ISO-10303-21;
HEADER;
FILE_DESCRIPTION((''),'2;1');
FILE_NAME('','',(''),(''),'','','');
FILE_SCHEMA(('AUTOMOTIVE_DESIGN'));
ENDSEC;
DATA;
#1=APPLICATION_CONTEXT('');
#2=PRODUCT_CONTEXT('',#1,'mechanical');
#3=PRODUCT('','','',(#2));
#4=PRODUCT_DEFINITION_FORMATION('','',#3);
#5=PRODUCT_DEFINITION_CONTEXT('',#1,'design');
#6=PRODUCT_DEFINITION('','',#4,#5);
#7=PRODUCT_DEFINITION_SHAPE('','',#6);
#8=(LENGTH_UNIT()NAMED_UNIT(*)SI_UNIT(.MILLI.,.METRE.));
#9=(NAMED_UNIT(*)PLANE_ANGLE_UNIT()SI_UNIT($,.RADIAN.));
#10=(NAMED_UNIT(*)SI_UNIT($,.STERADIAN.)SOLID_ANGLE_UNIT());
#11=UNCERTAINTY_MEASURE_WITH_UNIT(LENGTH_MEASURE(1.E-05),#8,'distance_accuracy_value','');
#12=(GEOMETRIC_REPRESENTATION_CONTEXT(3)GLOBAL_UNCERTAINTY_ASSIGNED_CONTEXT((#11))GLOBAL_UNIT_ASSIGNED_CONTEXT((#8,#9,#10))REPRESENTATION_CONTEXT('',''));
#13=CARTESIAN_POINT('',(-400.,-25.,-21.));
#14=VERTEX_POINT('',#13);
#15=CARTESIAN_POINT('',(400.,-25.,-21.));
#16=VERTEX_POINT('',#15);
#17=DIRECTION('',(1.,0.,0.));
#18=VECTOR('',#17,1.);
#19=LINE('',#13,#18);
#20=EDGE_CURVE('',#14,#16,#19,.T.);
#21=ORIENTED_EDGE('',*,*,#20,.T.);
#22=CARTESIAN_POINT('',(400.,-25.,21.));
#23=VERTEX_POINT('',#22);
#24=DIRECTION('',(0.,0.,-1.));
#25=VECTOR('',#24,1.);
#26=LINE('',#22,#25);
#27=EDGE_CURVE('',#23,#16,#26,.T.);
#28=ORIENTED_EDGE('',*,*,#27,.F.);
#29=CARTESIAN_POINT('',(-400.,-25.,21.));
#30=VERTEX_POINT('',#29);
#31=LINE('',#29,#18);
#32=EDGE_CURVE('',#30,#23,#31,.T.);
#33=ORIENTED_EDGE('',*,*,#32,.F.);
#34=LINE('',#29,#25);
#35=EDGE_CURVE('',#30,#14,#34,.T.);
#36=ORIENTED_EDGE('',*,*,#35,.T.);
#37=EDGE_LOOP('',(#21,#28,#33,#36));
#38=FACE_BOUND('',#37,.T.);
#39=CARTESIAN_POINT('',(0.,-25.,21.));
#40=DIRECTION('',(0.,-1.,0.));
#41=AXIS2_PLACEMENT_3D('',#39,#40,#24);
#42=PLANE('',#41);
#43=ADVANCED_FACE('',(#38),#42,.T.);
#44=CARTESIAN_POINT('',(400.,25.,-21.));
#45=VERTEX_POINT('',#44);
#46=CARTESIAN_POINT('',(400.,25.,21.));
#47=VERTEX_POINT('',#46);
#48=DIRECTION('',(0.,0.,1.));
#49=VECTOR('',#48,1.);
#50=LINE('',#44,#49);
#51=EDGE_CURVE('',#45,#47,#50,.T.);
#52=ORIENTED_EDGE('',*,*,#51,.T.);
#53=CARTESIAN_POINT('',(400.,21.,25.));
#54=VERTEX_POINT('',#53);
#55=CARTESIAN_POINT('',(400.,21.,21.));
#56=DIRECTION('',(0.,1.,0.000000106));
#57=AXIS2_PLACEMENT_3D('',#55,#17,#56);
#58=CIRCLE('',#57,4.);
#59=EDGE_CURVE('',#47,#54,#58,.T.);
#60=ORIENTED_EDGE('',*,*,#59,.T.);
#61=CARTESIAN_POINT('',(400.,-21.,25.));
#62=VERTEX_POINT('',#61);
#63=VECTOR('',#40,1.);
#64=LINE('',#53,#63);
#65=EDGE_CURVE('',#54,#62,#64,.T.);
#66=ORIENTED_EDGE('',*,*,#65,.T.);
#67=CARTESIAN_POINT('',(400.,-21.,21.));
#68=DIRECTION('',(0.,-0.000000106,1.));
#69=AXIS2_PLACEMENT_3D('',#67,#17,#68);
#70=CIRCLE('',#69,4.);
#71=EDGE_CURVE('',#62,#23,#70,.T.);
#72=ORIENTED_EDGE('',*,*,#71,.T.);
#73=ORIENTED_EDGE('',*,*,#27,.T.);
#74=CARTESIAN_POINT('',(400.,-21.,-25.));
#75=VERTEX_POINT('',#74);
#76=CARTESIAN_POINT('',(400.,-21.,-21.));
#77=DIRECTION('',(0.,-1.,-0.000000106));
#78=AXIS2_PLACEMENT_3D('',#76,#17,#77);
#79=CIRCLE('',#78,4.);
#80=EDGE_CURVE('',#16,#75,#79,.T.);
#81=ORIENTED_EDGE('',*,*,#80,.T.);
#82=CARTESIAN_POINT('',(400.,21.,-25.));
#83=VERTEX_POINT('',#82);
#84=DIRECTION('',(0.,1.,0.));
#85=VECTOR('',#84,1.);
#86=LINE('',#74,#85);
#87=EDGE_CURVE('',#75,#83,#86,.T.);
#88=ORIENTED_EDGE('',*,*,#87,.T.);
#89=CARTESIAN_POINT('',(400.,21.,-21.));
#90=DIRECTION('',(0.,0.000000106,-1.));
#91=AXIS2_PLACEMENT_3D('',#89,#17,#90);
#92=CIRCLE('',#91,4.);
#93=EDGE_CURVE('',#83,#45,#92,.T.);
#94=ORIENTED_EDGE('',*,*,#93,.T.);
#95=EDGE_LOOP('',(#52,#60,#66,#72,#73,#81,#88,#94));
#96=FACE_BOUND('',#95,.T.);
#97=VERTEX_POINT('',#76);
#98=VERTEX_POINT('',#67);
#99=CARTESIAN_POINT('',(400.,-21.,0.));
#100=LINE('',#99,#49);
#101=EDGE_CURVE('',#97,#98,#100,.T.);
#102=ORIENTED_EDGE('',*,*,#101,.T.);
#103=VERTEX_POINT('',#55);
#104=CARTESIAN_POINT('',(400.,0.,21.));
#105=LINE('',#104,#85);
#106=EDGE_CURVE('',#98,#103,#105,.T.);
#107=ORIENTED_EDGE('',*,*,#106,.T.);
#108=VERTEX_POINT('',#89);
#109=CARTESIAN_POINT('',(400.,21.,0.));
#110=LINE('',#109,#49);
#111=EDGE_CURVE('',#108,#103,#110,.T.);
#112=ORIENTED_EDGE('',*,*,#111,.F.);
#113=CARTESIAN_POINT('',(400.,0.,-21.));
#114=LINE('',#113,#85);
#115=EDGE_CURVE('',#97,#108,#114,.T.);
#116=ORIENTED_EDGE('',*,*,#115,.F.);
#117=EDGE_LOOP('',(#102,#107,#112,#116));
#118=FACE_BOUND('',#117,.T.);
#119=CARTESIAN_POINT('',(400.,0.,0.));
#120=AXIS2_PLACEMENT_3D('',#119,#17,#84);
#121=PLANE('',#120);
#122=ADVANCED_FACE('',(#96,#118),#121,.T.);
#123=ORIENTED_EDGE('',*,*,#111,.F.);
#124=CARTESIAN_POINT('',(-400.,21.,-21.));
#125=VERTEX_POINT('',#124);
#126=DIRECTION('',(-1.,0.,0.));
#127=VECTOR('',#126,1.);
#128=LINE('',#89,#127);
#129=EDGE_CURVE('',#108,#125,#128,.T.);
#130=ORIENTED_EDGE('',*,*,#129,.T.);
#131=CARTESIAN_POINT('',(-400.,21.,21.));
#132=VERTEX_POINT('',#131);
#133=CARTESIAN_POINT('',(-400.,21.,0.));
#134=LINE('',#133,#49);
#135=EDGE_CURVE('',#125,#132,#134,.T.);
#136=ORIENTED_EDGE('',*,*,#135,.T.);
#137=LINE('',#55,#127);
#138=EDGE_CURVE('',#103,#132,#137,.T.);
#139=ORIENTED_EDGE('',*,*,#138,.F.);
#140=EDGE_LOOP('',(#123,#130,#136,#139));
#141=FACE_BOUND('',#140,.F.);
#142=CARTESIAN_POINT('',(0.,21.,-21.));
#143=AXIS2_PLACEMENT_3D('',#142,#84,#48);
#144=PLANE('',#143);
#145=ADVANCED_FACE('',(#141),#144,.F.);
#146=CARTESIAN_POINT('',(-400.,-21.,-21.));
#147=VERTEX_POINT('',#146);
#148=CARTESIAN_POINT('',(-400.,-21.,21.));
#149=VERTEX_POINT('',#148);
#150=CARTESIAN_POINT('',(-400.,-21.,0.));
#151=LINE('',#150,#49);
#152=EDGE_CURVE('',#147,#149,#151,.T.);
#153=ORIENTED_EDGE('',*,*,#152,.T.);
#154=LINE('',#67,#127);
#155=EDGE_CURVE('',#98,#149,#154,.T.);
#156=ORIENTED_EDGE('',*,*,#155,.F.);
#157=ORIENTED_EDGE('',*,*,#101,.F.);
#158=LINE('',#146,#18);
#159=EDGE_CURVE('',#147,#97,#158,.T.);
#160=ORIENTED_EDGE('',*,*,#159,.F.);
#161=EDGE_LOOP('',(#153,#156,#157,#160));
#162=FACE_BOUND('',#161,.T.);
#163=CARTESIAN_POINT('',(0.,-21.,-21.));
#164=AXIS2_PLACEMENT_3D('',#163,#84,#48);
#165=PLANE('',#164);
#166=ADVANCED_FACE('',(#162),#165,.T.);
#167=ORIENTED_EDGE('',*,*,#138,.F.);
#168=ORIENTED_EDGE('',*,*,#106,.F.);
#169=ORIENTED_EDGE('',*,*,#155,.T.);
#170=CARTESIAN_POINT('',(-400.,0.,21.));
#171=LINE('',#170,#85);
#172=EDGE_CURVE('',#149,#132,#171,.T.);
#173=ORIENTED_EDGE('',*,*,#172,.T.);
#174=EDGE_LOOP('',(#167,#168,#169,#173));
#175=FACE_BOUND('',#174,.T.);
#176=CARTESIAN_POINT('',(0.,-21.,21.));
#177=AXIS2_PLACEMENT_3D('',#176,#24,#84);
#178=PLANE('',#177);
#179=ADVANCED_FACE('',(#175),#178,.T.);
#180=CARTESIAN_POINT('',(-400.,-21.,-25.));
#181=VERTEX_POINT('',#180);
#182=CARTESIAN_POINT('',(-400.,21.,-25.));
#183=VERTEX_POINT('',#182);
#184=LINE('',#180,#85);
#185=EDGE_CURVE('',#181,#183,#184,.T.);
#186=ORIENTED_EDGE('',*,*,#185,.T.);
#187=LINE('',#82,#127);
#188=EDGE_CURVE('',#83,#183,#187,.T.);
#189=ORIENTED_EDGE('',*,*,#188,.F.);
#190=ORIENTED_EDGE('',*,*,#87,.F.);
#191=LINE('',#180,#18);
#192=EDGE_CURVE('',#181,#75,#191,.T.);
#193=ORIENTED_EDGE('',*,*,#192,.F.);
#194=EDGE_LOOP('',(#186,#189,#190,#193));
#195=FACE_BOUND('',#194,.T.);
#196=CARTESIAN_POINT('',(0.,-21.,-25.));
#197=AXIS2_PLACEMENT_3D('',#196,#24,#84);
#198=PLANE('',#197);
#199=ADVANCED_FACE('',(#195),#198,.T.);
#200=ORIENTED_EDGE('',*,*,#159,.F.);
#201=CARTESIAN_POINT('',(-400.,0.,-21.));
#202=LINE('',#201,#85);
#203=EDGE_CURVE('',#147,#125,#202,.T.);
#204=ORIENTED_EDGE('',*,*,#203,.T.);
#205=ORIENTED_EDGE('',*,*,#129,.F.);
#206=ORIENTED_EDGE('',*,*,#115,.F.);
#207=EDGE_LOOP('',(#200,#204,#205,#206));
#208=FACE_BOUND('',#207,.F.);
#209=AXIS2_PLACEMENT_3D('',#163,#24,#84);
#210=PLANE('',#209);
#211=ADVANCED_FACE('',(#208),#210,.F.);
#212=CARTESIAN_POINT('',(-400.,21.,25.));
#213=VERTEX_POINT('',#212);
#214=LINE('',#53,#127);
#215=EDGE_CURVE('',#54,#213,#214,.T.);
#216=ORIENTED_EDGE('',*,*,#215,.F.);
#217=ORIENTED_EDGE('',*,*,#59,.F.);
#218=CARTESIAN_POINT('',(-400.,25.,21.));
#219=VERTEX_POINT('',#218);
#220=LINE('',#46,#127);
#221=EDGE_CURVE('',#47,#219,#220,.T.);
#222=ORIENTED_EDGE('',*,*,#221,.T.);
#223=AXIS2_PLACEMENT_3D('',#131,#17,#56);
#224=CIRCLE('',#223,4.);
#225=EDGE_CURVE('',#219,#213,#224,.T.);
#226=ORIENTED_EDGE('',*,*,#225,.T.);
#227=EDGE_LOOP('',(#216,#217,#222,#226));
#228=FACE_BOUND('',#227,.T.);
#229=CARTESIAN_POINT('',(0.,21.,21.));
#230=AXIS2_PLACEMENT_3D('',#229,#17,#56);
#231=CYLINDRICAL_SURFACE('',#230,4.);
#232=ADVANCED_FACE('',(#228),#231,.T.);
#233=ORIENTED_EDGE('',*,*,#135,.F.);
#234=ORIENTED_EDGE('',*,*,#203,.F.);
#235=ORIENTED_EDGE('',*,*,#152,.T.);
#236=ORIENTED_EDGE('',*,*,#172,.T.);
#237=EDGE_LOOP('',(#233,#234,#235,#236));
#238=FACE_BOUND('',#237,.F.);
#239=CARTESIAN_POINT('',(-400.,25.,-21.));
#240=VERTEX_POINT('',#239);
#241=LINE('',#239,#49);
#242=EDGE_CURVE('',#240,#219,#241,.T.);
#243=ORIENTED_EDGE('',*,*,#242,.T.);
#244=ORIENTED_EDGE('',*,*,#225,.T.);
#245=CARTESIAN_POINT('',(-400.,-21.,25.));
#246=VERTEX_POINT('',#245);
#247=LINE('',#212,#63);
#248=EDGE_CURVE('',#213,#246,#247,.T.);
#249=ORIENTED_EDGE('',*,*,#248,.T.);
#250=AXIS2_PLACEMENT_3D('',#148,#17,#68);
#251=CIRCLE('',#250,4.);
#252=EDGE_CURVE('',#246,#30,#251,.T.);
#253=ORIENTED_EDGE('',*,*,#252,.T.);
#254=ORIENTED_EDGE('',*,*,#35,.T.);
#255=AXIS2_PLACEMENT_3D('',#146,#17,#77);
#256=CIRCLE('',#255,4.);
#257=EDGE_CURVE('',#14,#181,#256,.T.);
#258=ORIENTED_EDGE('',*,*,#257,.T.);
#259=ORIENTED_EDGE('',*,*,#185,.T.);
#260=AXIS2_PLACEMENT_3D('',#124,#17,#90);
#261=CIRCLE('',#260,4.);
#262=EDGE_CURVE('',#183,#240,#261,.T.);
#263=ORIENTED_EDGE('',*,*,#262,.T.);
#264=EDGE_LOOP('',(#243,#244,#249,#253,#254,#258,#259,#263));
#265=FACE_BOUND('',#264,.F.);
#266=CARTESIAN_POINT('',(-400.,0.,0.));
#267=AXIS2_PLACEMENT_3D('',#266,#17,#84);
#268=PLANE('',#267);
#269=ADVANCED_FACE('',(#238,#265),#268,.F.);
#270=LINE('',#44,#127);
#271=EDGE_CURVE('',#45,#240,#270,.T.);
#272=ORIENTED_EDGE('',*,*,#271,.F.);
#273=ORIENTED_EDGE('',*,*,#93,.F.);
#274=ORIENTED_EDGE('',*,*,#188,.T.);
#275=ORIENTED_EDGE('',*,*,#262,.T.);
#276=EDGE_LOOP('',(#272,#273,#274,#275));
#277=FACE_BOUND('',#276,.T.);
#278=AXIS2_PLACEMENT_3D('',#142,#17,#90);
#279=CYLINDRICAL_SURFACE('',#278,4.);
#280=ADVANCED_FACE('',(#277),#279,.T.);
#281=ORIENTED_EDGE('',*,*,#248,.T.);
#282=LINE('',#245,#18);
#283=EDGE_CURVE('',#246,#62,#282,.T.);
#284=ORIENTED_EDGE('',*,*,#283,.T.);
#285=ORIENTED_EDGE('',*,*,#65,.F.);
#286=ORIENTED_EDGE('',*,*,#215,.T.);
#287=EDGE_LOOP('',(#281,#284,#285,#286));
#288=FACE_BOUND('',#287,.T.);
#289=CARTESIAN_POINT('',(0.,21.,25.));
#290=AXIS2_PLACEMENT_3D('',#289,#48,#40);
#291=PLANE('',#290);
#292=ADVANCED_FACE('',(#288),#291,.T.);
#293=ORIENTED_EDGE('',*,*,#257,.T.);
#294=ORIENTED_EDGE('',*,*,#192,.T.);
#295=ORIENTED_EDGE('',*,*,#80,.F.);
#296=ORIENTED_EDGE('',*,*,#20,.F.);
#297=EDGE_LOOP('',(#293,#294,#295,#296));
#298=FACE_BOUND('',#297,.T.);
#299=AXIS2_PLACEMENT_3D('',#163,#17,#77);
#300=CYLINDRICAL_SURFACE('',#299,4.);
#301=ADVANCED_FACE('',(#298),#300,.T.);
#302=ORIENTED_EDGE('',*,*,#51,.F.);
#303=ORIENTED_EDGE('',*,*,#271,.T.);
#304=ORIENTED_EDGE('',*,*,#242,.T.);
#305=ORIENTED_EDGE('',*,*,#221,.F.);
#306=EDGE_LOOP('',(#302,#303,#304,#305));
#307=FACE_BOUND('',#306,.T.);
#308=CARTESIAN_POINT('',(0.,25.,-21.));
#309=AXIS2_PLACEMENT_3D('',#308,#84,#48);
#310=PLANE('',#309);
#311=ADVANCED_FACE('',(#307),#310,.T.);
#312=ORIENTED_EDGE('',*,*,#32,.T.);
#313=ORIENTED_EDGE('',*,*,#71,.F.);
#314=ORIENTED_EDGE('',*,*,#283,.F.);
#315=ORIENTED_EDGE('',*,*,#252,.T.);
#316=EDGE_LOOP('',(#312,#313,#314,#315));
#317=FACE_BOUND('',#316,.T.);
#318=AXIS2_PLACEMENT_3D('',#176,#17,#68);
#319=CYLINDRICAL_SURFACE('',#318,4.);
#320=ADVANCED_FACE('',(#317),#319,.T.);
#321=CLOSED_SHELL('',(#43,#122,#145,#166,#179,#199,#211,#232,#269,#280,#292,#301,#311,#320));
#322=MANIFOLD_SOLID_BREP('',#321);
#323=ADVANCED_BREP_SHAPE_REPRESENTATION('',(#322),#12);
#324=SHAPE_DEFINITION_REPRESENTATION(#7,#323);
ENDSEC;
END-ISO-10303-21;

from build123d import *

# Parameters (mm, degrees)
F0_W     = 42
F0_H     = 42
F1_DEPTH = 400


with BuildPart() as f1:
    # F0 (on Right) → F1 (new body, symmetric)
    with BuildSketch(Plane.YZ):
        with BuildLine():
            Line((21, 25), (-21, 25))
            ThreePointArc((-21, 25), (-23.828427, 23.828427), (-25, 21))
            Line((-25, 21), (-25, -21))
            ThreePointArc((-25, -21), (-23.828427, -23.828427), (-21, -25))
            Line((-21, -25), (21, -25))
            ThreePointArc((21, -25), (23.828427, -23.828427), (25, -21))
            Line((25, -21), (25, 21))
            ThreePointArc((25, 21), (23.828427, 23.828427), (21, 25))
        make_face()
        Rectangle(F0_W, F0_H, mode=Mode.SUBTRACT)
    extrude(amount=F1_DEPTH, both=True)


solid = f1.part
